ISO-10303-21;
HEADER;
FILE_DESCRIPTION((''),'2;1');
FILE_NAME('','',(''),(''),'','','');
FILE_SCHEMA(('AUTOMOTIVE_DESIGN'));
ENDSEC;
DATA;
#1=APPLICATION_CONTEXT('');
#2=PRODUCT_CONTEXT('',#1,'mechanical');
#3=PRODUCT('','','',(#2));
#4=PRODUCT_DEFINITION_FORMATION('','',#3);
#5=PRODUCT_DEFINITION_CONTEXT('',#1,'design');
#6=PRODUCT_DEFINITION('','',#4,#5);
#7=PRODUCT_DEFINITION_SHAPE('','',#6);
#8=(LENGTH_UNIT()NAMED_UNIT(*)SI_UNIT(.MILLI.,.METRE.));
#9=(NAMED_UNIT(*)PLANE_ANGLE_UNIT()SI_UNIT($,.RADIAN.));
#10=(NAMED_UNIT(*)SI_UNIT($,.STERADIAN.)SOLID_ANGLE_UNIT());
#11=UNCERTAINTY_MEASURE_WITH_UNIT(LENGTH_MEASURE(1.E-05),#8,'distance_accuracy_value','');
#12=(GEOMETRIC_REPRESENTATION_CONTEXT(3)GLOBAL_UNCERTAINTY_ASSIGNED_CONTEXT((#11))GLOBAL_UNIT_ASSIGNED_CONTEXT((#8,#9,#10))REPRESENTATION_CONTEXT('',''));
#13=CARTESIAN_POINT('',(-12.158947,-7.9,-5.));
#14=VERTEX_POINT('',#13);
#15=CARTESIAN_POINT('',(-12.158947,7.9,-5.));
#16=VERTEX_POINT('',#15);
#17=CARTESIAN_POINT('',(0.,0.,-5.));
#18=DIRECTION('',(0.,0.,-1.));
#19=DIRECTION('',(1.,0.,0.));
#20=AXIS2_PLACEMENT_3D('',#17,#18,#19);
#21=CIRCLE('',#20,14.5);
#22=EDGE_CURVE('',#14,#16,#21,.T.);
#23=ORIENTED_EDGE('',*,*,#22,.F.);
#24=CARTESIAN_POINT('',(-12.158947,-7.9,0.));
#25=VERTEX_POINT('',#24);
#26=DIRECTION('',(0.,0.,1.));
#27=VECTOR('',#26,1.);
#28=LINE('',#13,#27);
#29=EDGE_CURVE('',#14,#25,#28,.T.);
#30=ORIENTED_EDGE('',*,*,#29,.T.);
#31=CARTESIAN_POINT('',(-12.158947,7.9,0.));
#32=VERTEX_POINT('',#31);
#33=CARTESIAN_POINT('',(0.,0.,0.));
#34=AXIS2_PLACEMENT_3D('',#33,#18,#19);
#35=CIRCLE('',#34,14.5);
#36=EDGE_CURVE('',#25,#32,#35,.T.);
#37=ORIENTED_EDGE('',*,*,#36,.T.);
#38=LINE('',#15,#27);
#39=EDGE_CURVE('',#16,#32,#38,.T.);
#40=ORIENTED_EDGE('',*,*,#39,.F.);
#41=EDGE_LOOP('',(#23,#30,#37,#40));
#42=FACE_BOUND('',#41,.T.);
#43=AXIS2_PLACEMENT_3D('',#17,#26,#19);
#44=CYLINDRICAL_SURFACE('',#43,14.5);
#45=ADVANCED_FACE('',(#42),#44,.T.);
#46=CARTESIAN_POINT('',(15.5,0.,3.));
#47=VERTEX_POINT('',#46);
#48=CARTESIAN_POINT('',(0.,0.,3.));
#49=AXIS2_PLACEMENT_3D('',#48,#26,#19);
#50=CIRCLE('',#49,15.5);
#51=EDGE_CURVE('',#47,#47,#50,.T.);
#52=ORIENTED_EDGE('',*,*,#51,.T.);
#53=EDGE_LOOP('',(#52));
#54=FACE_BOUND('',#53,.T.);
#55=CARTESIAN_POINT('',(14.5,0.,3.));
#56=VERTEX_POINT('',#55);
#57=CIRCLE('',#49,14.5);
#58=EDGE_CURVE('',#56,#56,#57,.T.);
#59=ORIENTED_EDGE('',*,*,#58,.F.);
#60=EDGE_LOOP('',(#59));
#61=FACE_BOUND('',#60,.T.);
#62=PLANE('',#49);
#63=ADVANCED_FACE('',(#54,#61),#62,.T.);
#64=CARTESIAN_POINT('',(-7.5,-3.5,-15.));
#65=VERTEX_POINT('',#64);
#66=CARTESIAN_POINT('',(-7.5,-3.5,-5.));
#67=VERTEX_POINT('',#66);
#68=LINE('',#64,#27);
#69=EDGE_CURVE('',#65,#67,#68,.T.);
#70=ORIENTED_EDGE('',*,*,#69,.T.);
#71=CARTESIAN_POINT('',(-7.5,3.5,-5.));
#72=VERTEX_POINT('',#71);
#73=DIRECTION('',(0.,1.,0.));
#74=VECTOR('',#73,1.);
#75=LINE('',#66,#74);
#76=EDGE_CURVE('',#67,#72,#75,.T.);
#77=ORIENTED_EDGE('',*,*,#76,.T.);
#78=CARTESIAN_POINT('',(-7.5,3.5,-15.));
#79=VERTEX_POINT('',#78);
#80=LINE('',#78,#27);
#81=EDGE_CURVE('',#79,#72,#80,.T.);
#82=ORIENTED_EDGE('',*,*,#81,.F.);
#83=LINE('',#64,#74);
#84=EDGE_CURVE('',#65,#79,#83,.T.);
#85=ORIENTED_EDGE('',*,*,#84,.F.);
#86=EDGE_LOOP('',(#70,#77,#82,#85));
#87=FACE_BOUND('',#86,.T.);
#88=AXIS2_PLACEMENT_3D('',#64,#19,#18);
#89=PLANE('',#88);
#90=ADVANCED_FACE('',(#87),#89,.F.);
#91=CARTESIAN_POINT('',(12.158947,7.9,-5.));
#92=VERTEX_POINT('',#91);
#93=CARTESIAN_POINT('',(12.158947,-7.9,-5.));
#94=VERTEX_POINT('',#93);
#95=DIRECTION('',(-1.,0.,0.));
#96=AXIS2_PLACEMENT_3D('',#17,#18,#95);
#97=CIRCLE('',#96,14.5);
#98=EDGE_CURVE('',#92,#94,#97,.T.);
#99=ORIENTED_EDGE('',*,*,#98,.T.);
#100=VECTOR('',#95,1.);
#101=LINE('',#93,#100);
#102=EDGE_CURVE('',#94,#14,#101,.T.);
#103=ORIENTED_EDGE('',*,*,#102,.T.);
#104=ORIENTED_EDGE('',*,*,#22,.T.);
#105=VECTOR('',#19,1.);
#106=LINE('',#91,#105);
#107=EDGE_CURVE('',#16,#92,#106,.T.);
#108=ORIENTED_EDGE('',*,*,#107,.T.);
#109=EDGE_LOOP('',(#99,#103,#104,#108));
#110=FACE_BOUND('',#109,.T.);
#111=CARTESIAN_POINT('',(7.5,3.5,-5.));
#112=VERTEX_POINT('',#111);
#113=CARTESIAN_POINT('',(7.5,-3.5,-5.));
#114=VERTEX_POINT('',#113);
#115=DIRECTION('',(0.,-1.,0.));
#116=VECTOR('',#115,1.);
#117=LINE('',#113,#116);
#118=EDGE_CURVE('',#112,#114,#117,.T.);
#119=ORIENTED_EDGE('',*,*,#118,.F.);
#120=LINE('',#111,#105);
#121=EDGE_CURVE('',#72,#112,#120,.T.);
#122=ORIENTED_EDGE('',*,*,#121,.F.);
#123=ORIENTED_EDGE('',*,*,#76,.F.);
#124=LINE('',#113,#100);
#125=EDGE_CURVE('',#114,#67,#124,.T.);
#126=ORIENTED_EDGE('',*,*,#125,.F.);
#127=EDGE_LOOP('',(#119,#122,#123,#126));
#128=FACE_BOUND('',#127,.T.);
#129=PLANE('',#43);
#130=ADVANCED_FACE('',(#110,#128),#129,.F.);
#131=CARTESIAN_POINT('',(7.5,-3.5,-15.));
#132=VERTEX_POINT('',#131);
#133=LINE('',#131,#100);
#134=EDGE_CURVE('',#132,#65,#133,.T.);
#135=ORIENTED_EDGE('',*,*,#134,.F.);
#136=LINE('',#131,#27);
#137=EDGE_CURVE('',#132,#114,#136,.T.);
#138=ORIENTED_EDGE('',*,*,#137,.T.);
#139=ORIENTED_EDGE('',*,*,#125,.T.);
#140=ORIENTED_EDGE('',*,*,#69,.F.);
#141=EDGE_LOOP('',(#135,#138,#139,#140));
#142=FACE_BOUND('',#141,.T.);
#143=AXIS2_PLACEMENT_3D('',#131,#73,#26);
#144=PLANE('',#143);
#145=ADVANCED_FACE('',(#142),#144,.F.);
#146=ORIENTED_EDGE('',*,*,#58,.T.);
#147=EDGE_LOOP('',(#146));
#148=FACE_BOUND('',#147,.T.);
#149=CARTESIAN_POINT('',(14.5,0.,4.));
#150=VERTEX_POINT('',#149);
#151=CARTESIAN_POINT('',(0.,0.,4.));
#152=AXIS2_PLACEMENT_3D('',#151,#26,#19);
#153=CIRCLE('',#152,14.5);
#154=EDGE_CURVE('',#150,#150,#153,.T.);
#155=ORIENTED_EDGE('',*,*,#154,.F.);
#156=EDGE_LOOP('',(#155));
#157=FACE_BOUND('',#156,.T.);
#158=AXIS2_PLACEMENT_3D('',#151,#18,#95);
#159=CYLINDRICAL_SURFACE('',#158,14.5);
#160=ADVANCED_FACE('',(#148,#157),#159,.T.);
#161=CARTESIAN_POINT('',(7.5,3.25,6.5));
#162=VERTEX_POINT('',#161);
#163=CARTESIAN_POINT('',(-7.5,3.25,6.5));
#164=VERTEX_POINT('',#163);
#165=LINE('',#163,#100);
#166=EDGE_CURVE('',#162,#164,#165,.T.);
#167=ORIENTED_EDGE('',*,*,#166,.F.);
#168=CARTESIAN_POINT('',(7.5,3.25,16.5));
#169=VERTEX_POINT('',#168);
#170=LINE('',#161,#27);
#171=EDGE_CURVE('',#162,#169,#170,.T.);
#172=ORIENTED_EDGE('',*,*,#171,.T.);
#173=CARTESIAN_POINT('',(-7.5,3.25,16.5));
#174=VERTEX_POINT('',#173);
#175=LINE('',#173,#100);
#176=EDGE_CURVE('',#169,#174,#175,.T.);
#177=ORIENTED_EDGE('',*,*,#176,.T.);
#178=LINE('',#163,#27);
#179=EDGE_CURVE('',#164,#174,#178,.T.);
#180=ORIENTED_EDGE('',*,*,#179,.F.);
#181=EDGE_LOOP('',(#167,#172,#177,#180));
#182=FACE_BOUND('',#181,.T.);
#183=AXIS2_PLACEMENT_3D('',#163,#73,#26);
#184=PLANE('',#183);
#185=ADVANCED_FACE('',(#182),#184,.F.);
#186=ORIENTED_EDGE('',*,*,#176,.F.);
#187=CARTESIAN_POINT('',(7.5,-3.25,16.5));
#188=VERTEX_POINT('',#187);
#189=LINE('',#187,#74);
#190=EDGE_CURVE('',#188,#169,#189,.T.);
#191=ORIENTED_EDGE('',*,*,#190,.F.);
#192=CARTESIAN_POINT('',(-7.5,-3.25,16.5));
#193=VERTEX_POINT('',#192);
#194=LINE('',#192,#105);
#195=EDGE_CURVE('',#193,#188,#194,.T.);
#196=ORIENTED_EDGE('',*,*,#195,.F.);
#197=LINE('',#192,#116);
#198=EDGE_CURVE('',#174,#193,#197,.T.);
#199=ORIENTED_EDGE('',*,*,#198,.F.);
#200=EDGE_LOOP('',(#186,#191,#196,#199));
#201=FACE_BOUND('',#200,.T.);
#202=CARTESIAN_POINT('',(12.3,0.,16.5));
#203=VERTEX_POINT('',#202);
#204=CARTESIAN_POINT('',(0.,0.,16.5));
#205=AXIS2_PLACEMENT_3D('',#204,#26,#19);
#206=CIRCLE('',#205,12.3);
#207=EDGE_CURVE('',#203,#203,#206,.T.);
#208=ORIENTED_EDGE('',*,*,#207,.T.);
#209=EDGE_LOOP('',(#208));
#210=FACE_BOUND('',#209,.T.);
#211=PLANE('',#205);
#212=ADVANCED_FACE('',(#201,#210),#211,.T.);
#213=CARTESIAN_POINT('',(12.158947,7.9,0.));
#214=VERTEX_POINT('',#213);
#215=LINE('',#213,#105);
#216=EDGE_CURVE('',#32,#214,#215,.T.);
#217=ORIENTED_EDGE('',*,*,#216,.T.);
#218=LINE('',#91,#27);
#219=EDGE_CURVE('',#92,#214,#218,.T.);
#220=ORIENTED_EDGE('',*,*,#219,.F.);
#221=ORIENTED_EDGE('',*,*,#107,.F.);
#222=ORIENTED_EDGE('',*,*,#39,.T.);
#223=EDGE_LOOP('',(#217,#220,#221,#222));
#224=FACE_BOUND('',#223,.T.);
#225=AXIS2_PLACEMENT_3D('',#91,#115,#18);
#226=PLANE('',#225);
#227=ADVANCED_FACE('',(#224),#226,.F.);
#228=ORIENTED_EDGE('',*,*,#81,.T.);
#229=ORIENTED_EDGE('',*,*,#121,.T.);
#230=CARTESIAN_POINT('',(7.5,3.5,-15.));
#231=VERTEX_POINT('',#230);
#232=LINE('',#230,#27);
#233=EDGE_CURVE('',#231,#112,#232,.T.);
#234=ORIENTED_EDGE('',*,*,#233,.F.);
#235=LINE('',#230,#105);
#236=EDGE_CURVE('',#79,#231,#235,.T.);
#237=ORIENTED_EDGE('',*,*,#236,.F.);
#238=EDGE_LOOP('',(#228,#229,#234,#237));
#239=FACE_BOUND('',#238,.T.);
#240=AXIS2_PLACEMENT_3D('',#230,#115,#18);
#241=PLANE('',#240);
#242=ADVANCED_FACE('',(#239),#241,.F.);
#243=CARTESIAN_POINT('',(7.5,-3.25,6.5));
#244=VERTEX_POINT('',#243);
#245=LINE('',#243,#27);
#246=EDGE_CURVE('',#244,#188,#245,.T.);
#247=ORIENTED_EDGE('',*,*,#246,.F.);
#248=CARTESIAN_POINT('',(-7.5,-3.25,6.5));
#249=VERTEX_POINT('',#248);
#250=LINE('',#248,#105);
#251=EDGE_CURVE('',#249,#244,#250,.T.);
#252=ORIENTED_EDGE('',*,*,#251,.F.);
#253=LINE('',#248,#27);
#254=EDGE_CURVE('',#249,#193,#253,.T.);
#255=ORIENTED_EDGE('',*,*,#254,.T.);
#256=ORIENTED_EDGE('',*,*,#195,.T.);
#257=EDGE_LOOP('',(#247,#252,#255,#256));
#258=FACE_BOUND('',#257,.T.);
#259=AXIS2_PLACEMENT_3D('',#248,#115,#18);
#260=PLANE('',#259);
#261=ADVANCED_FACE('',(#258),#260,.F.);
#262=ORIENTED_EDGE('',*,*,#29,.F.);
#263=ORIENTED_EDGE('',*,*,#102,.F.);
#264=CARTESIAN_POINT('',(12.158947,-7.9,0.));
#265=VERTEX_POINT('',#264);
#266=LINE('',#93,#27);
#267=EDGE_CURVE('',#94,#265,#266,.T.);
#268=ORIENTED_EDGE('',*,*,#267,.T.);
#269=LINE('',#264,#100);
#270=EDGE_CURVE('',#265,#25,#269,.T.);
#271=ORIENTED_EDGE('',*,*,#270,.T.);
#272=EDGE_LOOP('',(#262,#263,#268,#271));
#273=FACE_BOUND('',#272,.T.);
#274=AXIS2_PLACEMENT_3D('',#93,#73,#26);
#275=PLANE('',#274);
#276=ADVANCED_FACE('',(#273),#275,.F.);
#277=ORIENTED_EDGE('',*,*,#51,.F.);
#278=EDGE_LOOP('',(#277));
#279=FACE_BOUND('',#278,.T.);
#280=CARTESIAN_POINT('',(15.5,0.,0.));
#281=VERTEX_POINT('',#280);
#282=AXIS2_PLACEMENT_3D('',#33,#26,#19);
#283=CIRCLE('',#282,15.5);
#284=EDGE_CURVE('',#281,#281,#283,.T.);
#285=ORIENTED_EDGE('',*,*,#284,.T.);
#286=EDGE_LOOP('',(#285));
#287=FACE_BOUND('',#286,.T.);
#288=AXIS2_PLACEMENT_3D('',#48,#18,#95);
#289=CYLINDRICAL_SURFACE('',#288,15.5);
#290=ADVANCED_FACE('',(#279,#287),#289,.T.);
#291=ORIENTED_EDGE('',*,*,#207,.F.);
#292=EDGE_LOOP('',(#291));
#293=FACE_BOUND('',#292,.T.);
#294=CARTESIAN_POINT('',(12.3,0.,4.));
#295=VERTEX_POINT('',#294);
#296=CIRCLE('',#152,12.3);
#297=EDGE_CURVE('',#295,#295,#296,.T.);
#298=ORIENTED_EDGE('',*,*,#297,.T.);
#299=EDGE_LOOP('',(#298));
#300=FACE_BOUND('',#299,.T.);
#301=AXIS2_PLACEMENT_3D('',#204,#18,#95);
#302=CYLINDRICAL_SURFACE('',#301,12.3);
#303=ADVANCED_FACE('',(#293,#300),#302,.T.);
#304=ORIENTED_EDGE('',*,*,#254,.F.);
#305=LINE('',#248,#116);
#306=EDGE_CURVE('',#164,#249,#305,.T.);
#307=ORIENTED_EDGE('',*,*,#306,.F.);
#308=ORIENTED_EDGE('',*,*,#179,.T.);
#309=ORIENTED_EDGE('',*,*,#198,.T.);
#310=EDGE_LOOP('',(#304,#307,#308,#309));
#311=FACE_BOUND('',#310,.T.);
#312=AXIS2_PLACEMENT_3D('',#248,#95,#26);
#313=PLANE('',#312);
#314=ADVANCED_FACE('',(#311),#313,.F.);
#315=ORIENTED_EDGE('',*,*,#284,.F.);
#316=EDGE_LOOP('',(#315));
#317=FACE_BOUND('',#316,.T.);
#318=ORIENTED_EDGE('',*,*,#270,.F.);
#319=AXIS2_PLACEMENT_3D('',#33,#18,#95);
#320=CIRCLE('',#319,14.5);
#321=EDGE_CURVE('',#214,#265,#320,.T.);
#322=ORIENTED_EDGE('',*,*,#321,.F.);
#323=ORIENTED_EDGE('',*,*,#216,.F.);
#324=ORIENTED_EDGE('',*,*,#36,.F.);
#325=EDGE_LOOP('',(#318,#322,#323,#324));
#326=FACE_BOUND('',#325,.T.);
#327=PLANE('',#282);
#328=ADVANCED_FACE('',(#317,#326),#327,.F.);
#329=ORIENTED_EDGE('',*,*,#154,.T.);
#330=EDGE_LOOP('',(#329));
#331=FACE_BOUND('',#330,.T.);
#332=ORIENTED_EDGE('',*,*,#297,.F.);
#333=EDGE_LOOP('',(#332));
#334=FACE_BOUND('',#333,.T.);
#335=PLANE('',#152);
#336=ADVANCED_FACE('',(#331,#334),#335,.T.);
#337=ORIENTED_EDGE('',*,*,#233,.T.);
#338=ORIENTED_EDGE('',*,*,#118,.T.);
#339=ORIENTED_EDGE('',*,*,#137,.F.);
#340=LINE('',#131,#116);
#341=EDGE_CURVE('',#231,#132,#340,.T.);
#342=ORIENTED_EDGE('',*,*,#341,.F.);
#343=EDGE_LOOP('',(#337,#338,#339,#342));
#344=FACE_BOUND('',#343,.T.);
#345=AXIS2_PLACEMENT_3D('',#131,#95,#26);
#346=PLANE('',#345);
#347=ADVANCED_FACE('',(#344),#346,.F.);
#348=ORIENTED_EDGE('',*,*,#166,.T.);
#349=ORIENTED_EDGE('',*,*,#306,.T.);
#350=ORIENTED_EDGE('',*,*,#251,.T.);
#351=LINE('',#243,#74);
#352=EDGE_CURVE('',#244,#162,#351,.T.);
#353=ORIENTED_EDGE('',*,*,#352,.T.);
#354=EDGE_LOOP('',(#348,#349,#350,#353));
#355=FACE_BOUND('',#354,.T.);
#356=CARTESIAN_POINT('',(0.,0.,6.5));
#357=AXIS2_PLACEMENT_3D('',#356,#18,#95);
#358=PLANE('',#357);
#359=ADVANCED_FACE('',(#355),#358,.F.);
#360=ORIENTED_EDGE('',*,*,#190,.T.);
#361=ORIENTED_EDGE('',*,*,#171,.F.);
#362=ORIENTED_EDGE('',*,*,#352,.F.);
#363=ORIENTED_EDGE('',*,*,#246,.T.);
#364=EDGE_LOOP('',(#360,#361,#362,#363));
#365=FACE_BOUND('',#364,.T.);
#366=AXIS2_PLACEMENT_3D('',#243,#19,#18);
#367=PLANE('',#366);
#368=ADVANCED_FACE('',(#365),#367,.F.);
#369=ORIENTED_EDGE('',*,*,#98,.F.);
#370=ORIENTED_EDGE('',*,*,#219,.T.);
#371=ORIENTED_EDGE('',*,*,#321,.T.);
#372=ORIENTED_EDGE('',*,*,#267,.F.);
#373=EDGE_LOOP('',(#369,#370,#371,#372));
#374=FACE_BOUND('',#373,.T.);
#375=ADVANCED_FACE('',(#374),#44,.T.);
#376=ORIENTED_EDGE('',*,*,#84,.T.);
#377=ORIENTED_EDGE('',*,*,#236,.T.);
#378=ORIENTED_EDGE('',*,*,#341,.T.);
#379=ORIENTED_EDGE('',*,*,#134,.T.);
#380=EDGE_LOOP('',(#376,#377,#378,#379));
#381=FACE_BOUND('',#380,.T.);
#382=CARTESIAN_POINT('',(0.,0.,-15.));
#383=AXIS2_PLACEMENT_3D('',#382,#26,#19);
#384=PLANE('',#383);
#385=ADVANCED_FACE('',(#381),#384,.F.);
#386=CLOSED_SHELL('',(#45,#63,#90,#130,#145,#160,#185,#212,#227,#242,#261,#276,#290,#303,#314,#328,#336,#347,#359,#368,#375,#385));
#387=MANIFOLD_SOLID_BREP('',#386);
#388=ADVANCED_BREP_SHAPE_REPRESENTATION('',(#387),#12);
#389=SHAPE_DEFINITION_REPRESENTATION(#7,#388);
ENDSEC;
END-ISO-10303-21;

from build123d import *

# Parameters (mm, degrees)
SKETCH_1_R          = 15.5
EXTRUDE_1_DEPTH     = 3
SKETCH_2_R          = 14.5
EXTRUDE_2_DEPTH     = 1
SKETCH_3_R          = 12.3
EXTRUDE_3_DEPTH     = 12.5
SKETCH_4_W          = 15
SKETCH_4_H          = 6.5
CUT_EXTRUDE_1_DEPTH = 10
EXTRUDE_START       = 5
EXTRUDE_4_DEPTH     = 5
SKETCH_6_W          = 15
SKETCH_6_H          = 7
EXTRUDE_5_DEPTH     = 10


with BuildPart() as part:
    # ｽｹｯﾁ1 → ﾎﾞｽ - 押し出し1 (new body)
    with BuildSketch(Plane.XY):
        Circle(SKETCH_1_R)
    extrude(amount=EXTRUDE_1_DEPTH)

    # ｽｹｯﾁ2 → ﾎﾞｽ - 押し出し2 (add)
    with BuildSketch(Plane.XY.offset(3)):
        Circle(SKETCH_2_R)
    extrude(amount=EXTRUDE_2_DEPTH)

    # ｽｹｯﾁ3 → ﾎﾞｽ - 押し出し3 (add)
    with BuildSketch(Plane.XY.offset(4)):
        Circle(SKETCH_3_R)
    extrude(amount=EXTRUDE_3_DEPTH)

    # ｽｹｯﾁ4 → ｶｯﾄ - 押し出し1 (cut)
    with BuildSketch(Plane.XY.offset(16.5)):
        Rectangle(SKETCH_4_W, SKETCH_4_H)
    extrude(amount=-CUT_EXTRUDE_1_DEPTH, mode=Mode.SUBTRACT)

    # ｽｹｯﾁ5 → ﾎﾞｽ - 押し出し4 (add)
    with BuildSketch(Plane(origin=(0, 0, 0), x_dir=(-1, 0, 0), z_dir=(0, 0, -1)).offset(EXTRUDE_START)):
        with BuildLine():
            Line((-12.158947323, -7.9), (12.158947323, -7.9))
            ThreePointArc((12.158947323, -7.9), (14.5, 0), (12.158947323, 7.9))
            Line((12.158947323, 7.9), (-12.158947323, 7.9))
            ThreePointArc((-12.158947323, 7.9), (-14.5, 0), (-12.158947323, -7.9))
        make_face()
    extrude(amount=-EXTRUDE_4_DEPTH)

    # ｽｹｯﾁ6 → ﾎﾞｽ - 押し出し5 (add)
    with BuildSketch(Plane(origin=(0, 0, -5), x_dir=(-1, 0, 0), z_dir=(0, 0, -1))):
        Rectangle(SKETCH_6_W, SKETCH_6_H)
    extrude(amount=EXTRUDE_5_DEPTH)


solid = part.part
